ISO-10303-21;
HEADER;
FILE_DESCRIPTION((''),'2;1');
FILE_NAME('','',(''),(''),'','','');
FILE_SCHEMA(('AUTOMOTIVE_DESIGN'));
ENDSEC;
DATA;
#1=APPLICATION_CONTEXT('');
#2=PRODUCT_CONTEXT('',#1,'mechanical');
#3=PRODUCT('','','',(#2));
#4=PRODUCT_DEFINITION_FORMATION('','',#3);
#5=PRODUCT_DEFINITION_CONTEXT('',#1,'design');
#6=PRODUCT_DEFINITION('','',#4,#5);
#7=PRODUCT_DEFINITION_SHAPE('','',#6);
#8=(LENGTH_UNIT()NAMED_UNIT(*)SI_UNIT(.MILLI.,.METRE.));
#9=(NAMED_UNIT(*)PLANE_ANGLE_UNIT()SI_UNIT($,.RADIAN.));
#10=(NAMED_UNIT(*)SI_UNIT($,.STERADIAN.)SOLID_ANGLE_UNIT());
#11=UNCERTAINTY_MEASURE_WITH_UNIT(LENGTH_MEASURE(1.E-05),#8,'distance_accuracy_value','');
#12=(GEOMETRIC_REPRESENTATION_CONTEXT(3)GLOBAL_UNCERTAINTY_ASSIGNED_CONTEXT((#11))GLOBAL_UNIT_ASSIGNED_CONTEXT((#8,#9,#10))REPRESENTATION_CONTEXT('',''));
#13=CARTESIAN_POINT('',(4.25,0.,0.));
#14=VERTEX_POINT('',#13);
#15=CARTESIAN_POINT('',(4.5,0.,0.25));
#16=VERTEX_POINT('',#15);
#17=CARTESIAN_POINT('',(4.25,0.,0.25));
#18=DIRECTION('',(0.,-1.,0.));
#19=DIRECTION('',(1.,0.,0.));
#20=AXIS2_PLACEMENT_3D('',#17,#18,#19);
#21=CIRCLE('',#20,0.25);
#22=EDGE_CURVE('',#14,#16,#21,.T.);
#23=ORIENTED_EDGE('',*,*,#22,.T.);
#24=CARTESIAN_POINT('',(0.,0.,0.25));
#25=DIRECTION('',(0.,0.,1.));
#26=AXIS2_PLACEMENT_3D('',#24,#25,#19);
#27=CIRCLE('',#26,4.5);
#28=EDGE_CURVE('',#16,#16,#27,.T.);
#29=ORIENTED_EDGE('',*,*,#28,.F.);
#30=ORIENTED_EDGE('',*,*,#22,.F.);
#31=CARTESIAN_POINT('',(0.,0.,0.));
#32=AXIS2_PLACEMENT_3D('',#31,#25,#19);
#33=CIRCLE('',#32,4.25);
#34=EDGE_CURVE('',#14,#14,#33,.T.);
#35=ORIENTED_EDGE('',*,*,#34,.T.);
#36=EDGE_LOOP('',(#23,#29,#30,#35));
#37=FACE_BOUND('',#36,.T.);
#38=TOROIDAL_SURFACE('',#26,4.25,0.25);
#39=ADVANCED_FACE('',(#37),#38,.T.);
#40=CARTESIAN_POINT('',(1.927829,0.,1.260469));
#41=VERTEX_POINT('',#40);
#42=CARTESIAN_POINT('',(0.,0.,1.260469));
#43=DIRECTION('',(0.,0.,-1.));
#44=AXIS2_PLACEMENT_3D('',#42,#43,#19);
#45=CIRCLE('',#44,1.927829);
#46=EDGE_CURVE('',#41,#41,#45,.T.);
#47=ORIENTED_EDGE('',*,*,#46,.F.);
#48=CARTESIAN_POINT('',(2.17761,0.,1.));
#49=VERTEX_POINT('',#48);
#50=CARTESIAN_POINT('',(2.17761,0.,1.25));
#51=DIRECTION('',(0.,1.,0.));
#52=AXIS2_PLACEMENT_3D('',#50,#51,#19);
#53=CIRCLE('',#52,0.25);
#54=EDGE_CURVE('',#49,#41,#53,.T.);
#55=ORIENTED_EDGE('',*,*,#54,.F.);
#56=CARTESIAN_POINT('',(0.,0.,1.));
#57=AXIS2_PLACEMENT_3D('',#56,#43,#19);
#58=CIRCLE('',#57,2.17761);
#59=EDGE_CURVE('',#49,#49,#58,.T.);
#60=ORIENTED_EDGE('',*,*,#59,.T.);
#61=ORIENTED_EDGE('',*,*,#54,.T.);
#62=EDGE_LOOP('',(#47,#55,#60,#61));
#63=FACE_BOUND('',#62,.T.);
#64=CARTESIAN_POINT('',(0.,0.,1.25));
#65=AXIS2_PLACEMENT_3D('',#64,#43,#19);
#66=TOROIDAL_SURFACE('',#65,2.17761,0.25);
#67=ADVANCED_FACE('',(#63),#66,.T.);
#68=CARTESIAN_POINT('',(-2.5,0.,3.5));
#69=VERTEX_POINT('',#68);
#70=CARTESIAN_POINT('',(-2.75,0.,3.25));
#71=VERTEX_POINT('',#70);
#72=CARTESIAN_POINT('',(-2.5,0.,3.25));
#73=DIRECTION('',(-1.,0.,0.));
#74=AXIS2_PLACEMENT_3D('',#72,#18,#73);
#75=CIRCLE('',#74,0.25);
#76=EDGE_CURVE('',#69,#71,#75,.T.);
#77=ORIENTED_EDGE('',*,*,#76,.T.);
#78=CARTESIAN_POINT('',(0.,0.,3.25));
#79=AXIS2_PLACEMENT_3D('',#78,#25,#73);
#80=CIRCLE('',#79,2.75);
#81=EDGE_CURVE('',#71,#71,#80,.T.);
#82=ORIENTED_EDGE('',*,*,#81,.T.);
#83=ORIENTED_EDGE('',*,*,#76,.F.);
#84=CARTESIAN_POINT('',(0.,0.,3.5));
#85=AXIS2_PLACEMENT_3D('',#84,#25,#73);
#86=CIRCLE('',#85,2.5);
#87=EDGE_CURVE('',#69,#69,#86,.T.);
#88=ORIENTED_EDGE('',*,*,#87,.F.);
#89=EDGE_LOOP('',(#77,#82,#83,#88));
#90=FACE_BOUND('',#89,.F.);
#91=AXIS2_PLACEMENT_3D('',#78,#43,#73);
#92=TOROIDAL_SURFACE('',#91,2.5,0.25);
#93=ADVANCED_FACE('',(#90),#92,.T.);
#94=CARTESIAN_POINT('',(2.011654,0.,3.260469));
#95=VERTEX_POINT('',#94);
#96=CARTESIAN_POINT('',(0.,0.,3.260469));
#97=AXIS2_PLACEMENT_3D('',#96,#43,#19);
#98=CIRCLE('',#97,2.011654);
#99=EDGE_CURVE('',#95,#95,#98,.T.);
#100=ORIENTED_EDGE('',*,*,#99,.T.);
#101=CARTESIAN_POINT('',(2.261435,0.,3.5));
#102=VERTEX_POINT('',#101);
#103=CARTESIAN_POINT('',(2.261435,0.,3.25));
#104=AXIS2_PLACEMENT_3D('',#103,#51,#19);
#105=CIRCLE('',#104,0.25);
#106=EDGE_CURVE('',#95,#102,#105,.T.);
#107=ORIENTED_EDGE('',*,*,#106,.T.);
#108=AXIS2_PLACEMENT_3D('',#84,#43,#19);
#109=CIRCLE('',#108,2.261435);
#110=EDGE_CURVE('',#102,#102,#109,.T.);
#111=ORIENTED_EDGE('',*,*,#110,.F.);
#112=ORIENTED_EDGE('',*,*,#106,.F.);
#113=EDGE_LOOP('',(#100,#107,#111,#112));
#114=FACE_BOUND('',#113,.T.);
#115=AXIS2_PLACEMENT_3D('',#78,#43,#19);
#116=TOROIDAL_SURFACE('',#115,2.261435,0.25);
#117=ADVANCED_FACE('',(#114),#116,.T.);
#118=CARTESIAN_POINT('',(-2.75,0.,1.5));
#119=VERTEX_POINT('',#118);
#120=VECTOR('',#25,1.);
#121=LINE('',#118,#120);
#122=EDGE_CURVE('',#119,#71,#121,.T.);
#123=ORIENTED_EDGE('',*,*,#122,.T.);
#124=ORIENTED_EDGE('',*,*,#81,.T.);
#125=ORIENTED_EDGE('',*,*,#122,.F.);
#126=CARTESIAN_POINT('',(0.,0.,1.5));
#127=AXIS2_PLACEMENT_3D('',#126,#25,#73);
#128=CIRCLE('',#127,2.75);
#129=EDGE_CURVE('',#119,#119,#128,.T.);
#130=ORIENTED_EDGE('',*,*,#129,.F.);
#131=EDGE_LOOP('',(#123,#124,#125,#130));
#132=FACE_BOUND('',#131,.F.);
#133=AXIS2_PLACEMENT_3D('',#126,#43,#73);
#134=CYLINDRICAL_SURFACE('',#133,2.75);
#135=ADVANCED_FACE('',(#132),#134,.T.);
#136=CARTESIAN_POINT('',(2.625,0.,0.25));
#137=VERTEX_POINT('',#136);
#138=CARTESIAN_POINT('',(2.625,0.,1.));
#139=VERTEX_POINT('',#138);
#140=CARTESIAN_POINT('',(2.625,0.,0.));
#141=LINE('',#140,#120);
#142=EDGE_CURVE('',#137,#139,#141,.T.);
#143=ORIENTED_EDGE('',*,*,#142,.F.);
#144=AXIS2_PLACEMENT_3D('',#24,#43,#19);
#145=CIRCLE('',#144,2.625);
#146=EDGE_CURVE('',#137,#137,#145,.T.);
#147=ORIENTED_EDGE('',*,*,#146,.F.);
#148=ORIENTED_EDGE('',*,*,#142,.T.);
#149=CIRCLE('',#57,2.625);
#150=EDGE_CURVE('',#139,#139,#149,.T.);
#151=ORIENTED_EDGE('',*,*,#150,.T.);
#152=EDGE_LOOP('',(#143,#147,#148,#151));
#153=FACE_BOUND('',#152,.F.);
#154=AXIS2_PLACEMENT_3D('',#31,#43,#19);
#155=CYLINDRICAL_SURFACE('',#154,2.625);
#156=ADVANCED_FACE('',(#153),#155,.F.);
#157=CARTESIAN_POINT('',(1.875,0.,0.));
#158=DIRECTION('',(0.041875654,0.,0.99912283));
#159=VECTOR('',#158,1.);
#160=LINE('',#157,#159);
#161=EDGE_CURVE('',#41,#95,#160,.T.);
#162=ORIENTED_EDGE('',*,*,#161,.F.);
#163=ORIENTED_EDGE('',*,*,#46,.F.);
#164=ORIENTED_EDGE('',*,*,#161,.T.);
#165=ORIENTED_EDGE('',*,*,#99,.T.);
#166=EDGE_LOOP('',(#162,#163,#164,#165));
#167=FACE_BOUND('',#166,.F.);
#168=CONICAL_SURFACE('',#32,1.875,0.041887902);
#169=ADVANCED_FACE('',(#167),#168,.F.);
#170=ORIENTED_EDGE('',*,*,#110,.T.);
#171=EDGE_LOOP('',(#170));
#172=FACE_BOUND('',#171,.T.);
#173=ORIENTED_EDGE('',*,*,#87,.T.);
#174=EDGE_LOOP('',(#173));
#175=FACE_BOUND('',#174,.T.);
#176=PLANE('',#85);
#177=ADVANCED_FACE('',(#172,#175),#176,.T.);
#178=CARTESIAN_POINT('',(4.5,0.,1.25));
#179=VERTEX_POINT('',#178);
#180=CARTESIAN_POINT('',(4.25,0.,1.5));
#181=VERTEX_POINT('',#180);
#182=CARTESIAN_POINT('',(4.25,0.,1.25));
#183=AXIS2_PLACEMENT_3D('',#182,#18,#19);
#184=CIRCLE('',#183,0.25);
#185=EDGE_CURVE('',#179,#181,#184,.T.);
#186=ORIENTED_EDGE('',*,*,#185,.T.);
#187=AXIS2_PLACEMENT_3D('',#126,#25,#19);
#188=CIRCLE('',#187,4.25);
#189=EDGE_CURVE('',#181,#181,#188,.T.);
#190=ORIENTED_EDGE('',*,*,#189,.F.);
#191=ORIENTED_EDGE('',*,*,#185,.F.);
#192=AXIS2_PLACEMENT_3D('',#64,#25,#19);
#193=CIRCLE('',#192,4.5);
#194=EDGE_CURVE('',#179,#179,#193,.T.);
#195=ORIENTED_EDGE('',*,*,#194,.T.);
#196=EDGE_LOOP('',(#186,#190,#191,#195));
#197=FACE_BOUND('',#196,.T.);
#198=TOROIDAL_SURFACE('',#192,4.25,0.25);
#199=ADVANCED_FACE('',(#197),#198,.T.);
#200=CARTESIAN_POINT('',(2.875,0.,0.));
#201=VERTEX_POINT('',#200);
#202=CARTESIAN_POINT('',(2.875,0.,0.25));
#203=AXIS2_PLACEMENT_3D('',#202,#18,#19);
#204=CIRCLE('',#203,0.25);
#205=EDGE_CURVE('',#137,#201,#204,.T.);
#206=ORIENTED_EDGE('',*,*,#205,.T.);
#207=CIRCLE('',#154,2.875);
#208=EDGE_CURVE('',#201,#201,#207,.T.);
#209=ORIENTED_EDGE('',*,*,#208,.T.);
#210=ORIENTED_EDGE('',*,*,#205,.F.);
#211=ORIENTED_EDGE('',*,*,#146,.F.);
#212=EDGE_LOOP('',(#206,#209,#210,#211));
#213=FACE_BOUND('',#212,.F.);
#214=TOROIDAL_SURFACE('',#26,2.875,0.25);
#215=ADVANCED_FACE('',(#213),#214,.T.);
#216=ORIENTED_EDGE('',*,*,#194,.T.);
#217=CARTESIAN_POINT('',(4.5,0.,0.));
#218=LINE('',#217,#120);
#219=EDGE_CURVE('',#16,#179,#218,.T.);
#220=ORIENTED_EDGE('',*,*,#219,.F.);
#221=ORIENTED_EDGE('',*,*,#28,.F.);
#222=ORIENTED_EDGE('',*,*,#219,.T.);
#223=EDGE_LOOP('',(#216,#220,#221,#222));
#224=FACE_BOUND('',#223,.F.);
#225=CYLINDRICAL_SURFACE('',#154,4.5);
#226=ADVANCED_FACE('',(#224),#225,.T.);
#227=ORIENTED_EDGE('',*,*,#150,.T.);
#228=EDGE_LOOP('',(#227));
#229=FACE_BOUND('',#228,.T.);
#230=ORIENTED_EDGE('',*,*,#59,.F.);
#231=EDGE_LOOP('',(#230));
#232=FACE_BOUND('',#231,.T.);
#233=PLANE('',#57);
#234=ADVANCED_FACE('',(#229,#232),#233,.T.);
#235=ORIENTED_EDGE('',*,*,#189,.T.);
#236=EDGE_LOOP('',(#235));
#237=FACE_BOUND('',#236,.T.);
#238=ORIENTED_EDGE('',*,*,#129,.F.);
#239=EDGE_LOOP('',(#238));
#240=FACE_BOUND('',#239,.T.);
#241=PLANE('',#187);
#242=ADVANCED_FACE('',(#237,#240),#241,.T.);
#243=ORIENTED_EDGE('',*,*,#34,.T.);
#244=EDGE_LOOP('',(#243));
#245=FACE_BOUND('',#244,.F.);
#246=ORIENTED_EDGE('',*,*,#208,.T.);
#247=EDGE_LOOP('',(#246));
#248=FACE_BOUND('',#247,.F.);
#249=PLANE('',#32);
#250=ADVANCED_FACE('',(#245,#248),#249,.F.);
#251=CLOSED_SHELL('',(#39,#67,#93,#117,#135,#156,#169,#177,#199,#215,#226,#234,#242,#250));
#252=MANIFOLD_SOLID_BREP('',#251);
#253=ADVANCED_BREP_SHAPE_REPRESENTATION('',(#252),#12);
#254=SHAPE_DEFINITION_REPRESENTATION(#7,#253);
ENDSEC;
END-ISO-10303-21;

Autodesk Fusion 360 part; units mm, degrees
sketch "Sketch1" plane through (0, 0, 0) normal (0, 0, 1) x (1, 0, 0)
  circle A0 centre (0, 0) radius 4.5
  dimension "d1" = 9
extrude "Extrude1" add sketch "Sketch1" along normal blind 1.5
sketch "Sketch2" plane through (0, 0, 1.5) normal (0, 0, 1) x (-1, 0, 0)
  circle A0 centre (0, 0) radius 4.5
  circle A1 centre (0, 0) radius 2.75
  circle A2 centre (0, 0) radius 4.5
  circle A3 centre (0, 0) radius 1.875
  circle A4 centre (0, 0) radius 4.5
  dimension "d4" = 5.5
extrude "Extrude2" add sketch "Sketch2" along normal blind 2 contours A1 | A3
sketch "Sketch3" plane through (0, 0, 0) normal (0, 0, -1) x (1, 0, 0)
  circle A0 centre (0, 0) radius 4.5
  circle A1 centre (0, 0) radius 1.875
  dimension "d7" = 3.75
extrude "Extrude3" cut sketch "Sketch3" against normal blind 4 draft 2.4 contours A1
sketch "Sketch4" plane through (0, 0, 0) normal (0, 0, -1) x (1, 0, 0)
  circle A0 centre (0, 0) radius 1.875
  circle A1 centre (0, 0) radius 4.5
  circle A2 centre (0, 0) radius 2.625
  dimension "d10" = 5.25
extrude "Extrude4" cut sketch "Sketch4" against normal blind 1 contours A2
fillet "Fillet1" radius 0.25 1 edges at (-1.7872, 0.6932, 1)
fillet "Fillet2" radius 0.25 1 edges at (-2.4474, -0.9492, 0)
fillet "Fillet3" radius 0.25 4 edges at (-4.1955, -1.6273, 1.5) (-4.1955, -1.6273, 0) (2.5639, 0.9944, 3.5) (-1.8849, 0.7311, 3.5)
